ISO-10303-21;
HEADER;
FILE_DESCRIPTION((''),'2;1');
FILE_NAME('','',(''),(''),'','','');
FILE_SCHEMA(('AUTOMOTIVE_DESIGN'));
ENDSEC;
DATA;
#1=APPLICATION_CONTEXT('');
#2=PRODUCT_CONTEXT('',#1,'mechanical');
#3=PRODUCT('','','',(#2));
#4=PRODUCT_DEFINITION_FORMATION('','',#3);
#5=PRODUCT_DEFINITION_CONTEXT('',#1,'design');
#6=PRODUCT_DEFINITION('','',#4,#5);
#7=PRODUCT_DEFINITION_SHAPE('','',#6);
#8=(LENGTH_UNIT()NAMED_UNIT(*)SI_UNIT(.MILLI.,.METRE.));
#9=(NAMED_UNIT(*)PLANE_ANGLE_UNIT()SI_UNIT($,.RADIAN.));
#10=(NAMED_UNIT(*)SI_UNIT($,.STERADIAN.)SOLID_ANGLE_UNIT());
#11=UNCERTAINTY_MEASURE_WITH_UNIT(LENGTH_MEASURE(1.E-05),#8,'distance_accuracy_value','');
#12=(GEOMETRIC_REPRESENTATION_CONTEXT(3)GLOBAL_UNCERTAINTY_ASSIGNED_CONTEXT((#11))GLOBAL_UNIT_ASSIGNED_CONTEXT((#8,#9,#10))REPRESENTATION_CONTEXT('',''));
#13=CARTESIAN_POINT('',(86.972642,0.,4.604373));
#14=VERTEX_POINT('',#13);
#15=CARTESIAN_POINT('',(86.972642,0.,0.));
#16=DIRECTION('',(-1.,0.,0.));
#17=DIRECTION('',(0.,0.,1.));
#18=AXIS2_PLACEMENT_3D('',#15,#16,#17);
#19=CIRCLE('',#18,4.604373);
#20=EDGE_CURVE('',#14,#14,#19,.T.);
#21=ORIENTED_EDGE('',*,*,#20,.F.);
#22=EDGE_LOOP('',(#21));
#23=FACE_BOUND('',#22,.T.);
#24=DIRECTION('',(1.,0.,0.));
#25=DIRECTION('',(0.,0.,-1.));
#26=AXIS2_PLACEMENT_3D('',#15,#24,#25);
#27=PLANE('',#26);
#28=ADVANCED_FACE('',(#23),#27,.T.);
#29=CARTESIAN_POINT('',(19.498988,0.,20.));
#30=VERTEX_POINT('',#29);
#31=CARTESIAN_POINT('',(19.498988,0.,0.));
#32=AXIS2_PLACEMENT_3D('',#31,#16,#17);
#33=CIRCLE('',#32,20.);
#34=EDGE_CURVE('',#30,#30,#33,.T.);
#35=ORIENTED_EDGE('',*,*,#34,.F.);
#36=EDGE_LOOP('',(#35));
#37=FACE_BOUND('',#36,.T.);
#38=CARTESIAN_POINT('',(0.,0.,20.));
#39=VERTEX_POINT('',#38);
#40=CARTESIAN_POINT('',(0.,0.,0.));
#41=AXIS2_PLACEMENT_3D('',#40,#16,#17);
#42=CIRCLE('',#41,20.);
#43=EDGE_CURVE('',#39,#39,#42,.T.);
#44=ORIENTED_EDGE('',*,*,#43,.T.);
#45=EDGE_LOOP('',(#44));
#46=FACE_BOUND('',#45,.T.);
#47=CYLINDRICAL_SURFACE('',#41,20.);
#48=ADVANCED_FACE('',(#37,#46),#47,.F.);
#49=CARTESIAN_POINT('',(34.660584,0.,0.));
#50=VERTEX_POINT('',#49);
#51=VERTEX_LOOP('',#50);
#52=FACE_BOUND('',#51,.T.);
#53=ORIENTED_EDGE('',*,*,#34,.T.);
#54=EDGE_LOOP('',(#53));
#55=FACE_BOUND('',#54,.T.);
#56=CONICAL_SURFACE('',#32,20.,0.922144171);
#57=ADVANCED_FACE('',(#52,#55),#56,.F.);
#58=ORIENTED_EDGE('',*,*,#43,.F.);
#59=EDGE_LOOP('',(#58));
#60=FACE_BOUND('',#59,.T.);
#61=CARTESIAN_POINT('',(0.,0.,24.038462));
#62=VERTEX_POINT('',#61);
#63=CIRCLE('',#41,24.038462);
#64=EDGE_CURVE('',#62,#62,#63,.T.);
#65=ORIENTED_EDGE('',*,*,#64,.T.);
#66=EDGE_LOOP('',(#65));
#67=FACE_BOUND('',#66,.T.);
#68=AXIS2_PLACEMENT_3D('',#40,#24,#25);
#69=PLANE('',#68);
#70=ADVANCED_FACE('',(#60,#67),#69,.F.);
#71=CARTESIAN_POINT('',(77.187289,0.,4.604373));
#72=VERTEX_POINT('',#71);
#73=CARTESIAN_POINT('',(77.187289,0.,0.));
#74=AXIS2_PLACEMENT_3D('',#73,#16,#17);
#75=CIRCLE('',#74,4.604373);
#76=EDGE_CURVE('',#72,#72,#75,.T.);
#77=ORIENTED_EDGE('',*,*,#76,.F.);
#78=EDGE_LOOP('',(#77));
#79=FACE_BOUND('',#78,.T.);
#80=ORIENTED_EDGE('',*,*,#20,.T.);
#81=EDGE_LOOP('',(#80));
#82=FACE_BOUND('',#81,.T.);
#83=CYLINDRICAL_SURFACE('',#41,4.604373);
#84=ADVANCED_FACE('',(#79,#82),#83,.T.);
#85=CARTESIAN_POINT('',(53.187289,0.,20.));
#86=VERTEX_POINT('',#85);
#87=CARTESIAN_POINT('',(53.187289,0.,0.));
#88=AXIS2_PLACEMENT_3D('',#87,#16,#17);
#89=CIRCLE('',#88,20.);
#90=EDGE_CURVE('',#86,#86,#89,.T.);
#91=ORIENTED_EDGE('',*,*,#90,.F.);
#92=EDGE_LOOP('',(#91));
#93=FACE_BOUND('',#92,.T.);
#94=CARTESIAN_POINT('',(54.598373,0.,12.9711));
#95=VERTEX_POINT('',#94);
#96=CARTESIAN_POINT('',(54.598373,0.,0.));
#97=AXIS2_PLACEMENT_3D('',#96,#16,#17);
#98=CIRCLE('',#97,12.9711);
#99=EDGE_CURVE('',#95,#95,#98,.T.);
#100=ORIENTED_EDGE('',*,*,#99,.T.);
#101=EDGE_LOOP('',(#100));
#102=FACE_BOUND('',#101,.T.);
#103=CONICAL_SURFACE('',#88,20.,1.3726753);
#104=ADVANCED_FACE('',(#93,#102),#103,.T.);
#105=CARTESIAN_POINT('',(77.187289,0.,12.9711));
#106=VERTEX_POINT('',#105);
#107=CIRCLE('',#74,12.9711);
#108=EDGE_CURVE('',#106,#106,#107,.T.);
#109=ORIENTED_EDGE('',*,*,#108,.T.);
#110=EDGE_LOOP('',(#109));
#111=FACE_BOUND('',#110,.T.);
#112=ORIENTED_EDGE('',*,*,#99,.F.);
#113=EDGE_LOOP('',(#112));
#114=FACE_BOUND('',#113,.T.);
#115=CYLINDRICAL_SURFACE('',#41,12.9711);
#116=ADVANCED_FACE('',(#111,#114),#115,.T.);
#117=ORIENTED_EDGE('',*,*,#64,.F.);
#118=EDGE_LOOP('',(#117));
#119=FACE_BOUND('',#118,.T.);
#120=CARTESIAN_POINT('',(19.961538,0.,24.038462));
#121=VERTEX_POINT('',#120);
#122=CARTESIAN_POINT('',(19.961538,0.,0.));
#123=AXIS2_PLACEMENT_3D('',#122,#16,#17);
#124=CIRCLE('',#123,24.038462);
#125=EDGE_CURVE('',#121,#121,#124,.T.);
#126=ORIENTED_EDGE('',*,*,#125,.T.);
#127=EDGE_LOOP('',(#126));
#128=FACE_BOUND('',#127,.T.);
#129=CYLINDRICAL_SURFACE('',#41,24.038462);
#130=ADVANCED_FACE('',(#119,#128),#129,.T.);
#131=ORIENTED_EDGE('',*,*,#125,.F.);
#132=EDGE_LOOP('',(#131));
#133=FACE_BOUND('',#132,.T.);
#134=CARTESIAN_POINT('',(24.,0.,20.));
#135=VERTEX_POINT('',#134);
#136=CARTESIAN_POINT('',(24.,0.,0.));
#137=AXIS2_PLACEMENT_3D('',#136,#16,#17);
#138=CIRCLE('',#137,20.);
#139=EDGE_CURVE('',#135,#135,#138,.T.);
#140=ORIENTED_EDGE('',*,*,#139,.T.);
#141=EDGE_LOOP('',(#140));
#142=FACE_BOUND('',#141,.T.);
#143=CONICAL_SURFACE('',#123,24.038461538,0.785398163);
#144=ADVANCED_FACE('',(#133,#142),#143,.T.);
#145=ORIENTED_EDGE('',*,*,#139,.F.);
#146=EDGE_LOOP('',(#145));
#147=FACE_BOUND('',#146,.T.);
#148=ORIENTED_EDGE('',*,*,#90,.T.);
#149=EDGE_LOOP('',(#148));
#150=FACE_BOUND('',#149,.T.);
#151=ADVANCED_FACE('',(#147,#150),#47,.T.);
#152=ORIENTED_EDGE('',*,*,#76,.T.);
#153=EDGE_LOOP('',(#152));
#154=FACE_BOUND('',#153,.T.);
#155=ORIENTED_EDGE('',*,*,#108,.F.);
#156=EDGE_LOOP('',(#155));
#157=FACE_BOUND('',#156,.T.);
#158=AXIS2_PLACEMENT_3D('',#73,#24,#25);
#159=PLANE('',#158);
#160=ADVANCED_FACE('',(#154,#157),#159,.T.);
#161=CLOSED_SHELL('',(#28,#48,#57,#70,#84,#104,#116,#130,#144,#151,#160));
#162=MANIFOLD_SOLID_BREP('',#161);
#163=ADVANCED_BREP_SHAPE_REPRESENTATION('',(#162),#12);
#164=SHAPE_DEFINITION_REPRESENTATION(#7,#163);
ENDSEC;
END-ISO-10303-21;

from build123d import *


with BuildPart() as part:
    # 草圖1 → 旋轉1 (revolve)
    with BuildSketch(Plane.XY, mode=Mode.PRIVATE) as revolve_1_sk:
        Polygon((19.961538462, 24.038461538), (0, 24.038461538), (0, 20), (19.498987945, 20), (34.66058388, 0), (62.989296512, 0), (86.972642067, 0), (86.972642067, 4.604372638), (77.187288704, 4.604372638), (77.187288704, 12.971100252), (54.598372627, 12.971100252), (53.187288704, 20), (24, 20), align=None)
    revolve(revolve_1_sk.sketch.rotate(Axis((0, 0, 0), (1, 0, 0)), 90), axis=Axis((0, 0, 0), (1, 0, 0)))


solid = part.part
